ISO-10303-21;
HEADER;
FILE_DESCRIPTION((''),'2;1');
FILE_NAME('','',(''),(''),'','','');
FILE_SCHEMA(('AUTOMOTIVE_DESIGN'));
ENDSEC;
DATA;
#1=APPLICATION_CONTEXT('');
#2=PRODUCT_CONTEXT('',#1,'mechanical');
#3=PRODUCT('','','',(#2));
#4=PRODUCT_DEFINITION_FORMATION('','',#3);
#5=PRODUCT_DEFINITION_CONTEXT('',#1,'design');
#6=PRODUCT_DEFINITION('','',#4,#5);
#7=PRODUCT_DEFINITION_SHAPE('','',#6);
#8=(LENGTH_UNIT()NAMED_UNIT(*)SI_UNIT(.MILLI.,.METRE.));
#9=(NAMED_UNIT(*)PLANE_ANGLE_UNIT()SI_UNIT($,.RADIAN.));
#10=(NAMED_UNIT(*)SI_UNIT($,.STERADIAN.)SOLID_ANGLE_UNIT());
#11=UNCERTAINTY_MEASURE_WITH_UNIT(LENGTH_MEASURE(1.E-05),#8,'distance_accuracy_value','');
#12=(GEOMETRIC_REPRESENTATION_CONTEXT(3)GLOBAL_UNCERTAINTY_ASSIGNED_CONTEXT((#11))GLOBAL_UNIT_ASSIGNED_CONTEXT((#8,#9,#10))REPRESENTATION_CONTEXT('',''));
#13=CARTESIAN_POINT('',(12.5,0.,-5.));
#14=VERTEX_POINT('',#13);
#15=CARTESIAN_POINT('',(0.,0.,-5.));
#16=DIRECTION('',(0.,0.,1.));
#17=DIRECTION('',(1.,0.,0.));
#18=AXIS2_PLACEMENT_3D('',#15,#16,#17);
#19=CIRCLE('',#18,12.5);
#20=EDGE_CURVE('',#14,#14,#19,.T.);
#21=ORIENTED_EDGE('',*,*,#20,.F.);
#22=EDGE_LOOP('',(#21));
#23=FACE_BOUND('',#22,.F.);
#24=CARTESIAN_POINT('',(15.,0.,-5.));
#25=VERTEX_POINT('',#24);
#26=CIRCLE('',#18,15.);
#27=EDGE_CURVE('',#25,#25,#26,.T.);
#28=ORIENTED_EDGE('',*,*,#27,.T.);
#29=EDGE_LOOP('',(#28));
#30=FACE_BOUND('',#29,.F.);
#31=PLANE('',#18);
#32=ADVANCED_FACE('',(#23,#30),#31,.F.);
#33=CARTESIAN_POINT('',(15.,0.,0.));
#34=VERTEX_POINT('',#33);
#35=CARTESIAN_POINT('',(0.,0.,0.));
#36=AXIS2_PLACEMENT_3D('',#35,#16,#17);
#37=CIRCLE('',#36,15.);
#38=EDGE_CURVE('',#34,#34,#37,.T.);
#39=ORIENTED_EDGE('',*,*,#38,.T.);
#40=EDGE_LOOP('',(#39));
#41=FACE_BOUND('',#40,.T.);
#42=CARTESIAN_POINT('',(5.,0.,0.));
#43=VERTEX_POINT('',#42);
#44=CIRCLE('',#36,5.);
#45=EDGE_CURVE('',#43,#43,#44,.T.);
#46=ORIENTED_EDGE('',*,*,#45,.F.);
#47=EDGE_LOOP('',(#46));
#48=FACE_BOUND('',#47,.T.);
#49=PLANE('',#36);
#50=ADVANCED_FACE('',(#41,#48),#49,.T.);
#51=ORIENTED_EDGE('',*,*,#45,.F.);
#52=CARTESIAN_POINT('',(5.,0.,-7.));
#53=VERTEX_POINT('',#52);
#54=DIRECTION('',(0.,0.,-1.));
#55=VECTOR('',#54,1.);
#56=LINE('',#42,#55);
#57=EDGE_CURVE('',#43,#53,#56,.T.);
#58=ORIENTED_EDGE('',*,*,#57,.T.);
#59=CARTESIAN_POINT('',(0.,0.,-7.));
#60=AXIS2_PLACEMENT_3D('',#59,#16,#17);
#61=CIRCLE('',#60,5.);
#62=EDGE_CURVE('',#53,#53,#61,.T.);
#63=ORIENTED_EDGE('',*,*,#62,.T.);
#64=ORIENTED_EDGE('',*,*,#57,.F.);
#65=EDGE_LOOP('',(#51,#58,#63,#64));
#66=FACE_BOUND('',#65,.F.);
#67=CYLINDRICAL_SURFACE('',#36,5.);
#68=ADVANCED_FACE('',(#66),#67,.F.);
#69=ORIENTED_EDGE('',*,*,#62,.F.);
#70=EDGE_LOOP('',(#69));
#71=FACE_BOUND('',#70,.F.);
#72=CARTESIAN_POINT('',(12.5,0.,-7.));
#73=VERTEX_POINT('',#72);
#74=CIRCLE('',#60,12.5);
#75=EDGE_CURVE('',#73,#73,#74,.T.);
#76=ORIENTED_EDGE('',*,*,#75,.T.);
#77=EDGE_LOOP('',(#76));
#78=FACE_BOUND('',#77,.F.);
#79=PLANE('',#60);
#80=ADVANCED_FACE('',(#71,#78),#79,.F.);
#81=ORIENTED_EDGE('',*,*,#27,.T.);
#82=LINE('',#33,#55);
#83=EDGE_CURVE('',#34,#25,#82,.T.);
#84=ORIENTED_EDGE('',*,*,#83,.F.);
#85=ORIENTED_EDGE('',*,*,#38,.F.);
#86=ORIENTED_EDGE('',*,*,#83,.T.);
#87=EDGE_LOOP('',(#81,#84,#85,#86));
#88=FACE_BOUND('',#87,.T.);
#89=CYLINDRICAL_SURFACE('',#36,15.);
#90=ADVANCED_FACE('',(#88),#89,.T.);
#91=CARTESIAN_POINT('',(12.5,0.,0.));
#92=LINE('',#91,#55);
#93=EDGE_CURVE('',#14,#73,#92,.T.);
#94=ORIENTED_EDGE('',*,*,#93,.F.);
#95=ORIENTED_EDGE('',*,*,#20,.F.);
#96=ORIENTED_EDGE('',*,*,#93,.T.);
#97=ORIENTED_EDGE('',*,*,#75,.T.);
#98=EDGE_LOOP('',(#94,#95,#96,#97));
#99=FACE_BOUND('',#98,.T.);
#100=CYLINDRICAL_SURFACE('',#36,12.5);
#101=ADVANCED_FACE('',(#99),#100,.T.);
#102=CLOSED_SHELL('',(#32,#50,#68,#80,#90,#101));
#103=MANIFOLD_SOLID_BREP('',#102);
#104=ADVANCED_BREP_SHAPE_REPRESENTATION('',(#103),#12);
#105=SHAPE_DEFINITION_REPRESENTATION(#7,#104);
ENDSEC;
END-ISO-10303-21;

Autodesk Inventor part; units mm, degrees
ref_plane "YZ Plane" through (0, 0, 0) normal (1, 0, 0) x (0, 1, 0)
ref_plane "XZ Plane" through (0, 0, 0) normal (0, 1, 0) x (-1, 0, 0)
ref_plane "XY Plane" through (0, 0, 0) normal (0, 0, 1) x (1, 0, 0)
sketch "Sketch2" plane through (0, 0, 0) normal (0, 0, 1) x (1, 0, 0)
  circle A0 centre (0, 0) radius 15
  dimension "d0" = 30
extrude "Extrusion1" add sketch "Sketch2" against normal blind 5
sketch "Sketch3" plane through (0, 0, 0) normal (0, 0, 1) x (1, 0, 0)
  circle A0 centre (0, 0) radius 12.5
  dimension "d3" = 25
extrude "Extrusion2" add sketch "Sketch3" against normal blind 7
sketch "Sketch4" plane through (0, 0, 0) normal (0, 0, 1) x (1, 0, 0)
  circle A0 centre (0, 0) radius 5
  dimension "d6" = 10
extrude "Extrusion3" cut sketch "Sketch4" against normal blind 7
equation "\"BendRadius\" = Thickness"
equation "\"BendReliefWidth\" = Thickness"
equation "\"BendReliefDepth\" = 0.5 * Thickness"
equation "\"CornerReliefSize\" = 4 * Thickness"
equation "\"MinimumRemnant\" = 2 * Thickness"
equation "\"TransitionRadius\" = BendRadius"
equation "\"JacobiRadiusSize\" = BendRadius"
equation "\"GapSize\" = Thickness"
equation "\"Thickness\" = 3.048"
properties part number "Bushing_beam_stempel_short"
